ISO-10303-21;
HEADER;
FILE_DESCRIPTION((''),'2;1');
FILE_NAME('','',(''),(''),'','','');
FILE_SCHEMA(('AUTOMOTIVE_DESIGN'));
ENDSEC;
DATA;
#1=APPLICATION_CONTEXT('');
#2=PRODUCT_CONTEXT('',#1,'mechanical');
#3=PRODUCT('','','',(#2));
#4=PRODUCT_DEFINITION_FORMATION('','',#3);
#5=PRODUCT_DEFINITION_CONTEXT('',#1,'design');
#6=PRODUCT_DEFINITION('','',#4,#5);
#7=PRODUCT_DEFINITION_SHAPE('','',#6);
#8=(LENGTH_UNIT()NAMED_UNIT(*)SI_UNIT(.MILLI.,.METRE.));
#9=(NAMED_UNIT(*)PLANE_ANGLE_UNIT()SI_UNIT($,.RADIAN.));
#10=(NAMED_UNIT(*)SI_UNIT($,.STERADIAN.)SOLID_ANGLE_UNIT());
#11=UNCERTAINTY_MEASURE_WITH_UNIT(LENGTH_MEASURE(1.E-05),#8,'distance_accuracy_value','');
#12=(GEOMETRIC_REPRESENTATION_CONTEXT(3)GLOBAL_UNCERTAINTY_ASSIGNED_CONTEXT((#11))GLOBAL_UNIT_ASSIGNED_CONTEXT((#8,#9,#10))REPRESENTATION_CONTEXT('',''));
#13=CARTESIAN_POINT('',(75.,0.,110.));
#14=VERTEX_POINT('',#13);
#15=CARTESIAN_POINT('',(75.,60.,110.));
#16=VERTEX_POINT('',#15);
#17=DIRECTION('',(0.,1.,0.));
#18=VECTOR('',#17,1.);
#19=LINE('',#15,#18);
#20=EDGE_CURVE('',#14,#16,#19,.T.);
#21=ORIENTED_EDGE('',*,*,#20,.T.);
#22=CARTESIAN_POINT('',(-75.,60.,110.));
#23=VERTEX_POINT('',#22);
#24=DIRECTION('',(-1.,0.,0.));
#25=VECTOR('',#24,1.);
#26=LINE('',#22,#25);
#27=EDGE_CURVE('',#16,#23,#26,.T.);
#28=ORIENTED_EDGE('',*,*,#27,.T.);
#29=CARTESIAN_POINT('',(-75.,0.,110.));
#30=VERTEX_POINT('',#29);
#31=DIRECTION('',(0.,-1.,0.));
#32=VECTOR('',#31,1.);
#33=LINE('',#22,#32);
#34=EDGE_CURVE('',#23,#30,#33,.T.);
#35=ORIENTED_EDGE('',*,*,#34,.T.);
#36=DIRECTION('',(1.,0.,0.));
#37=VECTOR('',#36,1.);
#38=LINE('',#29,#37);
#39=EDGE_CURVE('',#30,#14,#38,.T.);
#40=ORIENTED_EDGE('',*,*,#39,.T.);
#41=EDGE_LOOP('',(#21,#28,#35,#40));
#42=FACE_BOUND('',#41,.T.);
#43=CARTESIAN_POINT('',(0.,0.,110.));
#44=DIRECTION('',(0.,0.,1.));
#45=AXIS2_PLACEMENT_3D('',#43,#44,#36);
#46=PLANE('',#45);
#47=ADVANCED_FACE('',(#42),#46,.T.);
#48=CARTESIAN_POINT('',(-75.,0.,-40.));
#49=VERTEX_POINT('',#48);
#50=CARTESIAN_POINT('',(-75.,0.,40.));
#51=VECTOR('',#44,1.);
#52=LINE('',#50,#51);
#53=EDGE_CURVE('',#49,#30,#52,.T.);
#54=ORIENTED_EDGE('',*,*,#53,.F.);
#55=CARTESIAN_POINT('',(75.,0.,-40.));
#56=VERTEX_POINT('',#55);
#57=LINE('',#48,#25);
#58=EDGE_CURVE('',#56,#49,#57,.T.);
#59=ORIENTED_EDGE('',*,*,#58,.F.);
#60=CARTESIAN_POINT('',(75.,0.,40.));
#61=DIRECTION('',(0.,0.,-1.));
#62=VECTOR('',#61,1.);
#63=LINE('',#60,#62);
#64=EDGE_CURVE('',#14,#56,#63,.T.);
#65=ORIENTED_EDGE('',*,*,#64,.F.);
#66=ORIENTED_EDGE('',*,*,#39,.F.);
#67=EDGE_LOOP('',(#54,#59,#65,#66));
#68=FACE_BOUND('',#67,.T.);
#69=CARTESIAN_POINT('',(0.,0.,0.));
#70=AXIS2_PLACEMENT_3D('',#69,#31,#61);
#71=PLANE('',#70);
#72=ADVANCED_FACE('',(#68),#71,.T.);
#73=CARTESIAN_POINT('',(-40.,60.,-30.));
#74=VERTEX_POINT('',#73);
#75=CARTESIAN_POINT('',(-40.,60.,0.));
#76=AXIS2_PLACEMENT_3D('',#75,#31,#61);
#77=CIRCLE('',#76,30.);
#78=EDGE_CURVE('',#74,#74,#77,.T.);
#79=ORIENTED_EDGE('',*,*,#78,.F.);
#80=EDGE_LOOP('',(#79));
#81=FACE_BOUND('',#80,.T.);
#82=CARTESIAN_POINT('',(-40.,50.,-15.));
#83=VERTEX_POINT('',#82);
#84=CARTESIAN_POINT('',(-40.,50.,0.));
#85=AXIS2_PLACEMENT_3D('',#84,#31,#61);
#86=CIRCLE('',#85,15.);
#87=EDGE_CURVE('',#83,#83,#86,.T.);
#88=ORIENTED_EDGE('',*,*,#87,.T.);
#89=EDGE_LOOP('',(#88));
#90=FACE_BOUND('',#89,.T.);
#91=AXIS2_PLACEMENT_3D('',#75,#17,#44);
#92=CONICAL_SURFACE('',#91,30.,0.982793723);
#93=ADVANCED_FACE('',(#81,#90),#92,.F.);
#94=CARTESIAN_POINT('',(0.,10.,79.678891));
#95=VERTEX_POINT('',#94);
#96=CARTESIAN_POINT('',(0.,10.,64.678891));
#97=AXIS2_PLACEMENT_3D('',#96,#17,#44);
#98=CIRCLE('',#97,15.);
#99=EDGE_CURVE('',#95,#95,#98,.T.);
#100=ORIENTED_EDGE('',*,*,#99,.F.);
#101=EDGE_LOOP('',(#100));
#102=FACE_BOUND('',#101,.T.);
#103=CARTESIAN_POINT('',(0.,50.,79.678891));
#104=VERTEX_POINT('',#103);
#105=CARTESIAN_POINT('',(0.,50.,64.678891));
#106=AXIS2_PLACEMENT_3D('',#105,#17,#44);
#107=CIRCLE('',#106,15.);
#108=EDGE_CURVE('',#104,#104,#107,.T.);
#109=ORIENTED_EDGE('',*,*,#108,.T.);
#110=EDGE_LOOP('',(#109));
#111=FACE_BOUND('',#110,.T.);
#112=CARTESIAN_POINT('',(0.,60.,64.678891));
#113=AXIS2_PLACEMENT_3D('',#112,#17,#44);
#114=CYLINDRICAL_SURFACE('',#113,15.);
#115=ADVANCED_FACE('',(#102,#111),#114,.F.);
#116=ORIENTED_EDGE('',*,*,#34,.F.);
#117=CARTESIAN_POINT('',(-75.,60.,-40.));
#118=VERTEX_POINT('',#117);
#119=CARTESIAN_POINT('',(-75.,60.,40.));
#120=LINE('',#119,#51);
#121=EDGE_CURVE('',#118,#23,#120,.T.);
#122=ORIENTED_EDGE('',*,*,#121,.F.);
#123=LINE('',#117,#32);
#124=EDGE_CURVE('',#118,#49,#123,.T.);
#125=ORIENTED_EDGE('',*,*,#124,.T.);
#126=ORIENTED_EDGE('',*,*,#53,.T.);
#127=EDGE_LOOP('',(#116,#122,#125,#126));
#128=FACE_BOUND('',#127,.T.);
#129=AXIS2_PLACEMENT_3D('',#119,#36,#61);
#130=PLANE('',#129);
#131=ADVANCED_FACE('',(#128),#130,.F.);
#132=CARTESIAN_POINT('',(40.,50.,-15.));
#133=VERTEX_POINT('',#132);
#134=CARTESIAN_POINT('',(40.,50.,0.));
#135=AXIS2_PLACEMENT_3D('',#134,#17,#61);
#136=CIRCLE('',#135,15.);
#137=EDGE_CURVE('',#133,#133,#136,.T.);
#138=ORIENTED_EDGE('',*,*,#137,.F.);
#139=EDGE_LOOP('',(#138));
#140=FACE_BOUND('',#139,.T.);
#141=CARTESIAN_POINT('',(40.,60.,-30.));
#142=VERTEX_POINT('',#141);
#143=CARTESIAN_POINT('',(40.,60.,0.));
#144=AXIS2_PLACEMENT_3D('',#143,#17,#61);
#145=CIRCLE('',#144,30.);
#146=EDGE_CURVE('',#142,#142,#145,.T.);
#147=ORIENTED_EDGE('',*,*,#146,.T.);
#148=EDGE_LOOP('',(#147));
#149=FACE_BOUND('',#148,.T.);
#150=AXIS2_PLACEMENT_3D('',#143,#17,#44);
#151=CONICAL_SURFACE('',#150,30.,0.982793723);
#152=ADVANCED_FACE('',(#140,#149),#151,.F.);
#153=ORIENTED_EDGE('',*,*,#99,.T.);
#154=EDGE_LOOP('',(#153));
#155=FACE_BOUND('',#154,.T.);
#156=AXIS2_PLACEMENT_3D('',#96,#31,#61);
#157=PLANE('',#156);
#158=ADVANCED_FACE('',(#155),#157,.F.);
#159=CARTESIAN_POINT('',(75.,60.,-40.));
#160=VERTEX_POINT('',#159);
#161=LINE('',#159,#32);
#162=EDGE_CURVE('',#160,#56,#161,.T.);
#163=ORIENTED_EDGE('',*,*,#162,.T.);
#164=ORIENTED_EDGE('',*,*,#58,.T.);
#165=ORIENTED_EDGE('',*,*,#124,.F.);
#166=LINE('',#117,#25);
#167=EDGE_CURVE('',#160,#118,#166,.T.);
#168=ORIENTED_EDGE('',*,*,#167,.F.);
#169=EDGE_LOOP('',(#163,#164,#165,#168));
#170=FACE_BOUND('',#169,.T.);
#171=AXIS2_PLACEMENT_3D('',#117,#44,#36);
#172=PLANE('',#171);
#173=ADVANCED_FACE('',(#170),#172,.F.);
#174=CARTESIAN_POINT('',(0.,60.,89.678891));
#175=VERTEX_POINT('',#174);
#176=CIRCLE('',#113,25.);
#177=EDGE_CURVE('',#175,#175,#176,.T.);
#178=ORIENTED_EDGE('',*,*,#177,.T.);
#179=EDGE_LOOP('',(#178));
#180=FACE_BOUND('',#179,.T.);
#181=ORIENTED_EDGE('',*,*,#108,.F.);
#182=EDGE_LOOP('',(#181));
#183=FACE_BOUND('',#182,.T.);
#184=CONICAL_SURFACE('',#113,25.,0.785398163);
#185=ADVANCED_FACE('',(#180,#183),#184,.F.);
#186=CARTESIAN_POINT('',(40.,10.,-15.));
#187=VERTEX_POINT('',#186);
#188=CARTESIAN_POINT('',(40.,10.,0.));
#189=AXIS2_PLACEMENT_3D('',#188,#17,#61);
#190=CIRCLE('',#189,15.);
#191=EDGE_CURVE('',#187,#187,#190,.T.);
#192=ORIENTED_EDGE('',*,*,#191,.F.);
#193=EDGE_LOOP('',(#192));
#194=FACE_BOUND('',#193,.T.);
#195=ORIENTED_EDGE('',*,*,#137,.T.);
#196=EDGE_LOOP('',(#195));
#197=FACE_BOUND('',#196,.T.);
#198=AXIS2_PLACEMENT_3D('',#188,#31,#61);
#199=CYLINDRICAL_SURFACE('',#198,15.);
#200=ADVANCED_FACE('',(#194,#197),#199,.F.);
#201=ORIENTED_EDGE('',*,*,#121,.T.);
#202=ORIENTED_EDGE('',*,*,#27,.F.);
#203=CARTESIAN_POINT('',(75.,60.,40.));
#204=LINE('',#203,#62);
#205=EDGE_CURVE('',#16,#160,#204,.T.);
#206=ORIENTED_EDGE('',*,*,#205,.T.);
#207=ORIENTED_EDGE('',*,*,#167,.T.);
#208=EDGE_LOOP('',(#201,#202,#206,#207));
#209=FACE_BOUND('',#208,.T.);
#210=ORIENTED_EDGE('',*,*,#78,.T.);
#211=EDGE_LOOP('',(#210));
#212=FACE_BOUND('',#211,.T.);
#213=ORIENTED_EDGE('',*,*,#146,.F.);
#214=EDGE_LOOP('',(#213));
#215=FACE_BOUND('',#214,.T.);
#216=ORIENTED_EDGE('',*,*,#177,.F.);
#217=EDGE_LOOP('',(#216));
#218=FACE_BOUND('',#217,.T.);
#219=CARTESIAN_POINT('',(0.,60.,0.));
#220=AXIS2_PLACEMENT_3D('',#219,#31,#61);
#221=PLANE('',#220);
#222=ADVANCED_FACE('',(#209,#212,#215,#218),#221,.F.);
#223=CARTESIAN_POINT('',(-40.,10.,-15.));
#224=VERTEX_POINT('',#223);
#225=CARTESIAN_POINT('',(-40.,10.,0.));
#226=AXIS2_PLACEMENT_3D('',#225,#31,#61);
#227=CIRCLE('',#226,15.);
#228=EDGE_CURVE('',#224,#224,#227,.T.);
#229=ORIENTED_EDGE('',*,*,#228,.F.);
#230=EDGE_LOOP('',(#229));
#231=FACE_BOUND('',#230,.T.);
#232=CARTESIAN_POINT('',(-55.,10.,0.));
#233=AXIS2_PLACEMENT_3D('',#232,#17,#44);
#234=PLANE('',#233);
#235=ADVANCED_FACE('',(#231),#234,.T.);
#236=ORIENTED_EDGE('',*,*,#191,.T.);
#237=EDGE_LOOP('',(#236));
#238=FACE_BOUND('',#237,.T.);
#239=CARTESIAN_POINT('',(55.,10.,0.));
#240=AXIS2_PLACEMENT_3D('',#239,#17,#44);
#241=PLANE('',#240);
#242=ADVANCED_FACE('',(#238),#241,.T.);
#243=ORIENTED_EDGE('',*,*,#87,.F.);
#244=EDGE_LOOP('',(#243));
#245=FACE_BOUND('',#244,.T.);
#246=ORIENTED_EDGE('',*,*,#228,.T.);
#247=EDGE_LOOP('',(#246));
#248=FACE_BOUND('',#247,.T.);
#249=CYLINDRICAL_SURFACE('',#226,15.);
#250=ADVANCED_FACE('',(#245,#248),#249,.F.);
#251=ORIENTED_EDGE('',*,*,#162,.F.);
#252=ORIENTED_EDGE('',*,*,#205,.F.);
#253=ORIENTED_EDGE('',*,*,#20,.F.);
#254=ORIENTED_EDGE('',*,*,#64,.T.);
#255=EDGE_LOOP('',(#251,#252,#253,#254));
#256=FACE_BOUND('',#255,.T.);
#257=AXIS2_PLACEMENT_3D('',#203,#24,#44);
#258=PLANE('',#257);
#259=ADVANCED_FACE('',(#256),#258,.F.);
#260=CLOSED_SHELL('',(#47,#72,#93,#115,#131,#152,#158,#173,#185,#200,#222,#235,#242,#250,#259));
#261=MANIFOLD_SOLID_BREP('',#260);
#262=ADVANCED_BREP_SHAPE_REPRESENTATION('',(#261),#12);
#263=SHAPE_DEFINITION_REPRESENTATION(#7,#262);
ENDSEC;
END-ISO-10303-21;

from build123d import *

# Parameters (mm, degrees)
SKETCH1_W           = 150
SKETCH1_H           = 80
BOSS_EXTRUDE1_DEPTH = 60
SKETCH3_W           = 150
SKETCH3_H           = 60
BOSS_EXTRUDE2_DEPTH = 70


with BuildPart() as part:
    # Sketch1 → Boss-Extrude1 (new body)
    with BuildSketch(Plane(origin=(0, 0, 0), x_dir=(1, 0, 0), z_dir=(0, 1, 0))):
        Rectangle(SKETCH1_W, SKETCH1_H)
    extrude(amount=BOSS_EXTRUDE1_DEPTH)

    # Sketch2 → Cut-Revolve1 (revolve, cut)
    with BuildSketch(Plane.XY):
        Polygon((-40, 60), (-70, 60), (-55, 50), (-55, 10), (-40, 10), align=None)
    cut_revolve1 = revolve(axis=Axis((-40, 10, 0), (0, 1, 0)), mode=Mode.SUBTRACT)

    # Mirror1: Cut-Revolve1 across plane
    add(cut_revolve1.mirror(Plane(origin=(0, 0, 0), x_dir=(0, 0, 1), z_dir=(1, 0, 0))), mode=Mode.SUBTRACT)

    # Sketch3 → Boss-Extrude2 (add)
    with BuildSketch(Plane.XY.offset(40)):
        with Locations((0, 30)):
            Rectangle(SKETCH3_W, SKETCH3_H)
    extrude(amount=BOSS_EXTRUDE2_DEPTH)

    # Sketch6 → Cut-Revolve2 (revolve, cut)
    with BuildSketch(Plane(origin=(0, 0, 0), x_dir=(0, 0, -1), z_dir=(1, 0, 0))):
        Polygon((-64.678891041, 60), (-64.678891041, 10), (-79.678891041, 10), (-79.678891041, 50), (-89.678891041, 60), align=None)
    revolve(axis=Axis((0, 60, 64.678891041), (0, -1, 0)), mode=Mode.SUBTRACT)


solid = part.part
